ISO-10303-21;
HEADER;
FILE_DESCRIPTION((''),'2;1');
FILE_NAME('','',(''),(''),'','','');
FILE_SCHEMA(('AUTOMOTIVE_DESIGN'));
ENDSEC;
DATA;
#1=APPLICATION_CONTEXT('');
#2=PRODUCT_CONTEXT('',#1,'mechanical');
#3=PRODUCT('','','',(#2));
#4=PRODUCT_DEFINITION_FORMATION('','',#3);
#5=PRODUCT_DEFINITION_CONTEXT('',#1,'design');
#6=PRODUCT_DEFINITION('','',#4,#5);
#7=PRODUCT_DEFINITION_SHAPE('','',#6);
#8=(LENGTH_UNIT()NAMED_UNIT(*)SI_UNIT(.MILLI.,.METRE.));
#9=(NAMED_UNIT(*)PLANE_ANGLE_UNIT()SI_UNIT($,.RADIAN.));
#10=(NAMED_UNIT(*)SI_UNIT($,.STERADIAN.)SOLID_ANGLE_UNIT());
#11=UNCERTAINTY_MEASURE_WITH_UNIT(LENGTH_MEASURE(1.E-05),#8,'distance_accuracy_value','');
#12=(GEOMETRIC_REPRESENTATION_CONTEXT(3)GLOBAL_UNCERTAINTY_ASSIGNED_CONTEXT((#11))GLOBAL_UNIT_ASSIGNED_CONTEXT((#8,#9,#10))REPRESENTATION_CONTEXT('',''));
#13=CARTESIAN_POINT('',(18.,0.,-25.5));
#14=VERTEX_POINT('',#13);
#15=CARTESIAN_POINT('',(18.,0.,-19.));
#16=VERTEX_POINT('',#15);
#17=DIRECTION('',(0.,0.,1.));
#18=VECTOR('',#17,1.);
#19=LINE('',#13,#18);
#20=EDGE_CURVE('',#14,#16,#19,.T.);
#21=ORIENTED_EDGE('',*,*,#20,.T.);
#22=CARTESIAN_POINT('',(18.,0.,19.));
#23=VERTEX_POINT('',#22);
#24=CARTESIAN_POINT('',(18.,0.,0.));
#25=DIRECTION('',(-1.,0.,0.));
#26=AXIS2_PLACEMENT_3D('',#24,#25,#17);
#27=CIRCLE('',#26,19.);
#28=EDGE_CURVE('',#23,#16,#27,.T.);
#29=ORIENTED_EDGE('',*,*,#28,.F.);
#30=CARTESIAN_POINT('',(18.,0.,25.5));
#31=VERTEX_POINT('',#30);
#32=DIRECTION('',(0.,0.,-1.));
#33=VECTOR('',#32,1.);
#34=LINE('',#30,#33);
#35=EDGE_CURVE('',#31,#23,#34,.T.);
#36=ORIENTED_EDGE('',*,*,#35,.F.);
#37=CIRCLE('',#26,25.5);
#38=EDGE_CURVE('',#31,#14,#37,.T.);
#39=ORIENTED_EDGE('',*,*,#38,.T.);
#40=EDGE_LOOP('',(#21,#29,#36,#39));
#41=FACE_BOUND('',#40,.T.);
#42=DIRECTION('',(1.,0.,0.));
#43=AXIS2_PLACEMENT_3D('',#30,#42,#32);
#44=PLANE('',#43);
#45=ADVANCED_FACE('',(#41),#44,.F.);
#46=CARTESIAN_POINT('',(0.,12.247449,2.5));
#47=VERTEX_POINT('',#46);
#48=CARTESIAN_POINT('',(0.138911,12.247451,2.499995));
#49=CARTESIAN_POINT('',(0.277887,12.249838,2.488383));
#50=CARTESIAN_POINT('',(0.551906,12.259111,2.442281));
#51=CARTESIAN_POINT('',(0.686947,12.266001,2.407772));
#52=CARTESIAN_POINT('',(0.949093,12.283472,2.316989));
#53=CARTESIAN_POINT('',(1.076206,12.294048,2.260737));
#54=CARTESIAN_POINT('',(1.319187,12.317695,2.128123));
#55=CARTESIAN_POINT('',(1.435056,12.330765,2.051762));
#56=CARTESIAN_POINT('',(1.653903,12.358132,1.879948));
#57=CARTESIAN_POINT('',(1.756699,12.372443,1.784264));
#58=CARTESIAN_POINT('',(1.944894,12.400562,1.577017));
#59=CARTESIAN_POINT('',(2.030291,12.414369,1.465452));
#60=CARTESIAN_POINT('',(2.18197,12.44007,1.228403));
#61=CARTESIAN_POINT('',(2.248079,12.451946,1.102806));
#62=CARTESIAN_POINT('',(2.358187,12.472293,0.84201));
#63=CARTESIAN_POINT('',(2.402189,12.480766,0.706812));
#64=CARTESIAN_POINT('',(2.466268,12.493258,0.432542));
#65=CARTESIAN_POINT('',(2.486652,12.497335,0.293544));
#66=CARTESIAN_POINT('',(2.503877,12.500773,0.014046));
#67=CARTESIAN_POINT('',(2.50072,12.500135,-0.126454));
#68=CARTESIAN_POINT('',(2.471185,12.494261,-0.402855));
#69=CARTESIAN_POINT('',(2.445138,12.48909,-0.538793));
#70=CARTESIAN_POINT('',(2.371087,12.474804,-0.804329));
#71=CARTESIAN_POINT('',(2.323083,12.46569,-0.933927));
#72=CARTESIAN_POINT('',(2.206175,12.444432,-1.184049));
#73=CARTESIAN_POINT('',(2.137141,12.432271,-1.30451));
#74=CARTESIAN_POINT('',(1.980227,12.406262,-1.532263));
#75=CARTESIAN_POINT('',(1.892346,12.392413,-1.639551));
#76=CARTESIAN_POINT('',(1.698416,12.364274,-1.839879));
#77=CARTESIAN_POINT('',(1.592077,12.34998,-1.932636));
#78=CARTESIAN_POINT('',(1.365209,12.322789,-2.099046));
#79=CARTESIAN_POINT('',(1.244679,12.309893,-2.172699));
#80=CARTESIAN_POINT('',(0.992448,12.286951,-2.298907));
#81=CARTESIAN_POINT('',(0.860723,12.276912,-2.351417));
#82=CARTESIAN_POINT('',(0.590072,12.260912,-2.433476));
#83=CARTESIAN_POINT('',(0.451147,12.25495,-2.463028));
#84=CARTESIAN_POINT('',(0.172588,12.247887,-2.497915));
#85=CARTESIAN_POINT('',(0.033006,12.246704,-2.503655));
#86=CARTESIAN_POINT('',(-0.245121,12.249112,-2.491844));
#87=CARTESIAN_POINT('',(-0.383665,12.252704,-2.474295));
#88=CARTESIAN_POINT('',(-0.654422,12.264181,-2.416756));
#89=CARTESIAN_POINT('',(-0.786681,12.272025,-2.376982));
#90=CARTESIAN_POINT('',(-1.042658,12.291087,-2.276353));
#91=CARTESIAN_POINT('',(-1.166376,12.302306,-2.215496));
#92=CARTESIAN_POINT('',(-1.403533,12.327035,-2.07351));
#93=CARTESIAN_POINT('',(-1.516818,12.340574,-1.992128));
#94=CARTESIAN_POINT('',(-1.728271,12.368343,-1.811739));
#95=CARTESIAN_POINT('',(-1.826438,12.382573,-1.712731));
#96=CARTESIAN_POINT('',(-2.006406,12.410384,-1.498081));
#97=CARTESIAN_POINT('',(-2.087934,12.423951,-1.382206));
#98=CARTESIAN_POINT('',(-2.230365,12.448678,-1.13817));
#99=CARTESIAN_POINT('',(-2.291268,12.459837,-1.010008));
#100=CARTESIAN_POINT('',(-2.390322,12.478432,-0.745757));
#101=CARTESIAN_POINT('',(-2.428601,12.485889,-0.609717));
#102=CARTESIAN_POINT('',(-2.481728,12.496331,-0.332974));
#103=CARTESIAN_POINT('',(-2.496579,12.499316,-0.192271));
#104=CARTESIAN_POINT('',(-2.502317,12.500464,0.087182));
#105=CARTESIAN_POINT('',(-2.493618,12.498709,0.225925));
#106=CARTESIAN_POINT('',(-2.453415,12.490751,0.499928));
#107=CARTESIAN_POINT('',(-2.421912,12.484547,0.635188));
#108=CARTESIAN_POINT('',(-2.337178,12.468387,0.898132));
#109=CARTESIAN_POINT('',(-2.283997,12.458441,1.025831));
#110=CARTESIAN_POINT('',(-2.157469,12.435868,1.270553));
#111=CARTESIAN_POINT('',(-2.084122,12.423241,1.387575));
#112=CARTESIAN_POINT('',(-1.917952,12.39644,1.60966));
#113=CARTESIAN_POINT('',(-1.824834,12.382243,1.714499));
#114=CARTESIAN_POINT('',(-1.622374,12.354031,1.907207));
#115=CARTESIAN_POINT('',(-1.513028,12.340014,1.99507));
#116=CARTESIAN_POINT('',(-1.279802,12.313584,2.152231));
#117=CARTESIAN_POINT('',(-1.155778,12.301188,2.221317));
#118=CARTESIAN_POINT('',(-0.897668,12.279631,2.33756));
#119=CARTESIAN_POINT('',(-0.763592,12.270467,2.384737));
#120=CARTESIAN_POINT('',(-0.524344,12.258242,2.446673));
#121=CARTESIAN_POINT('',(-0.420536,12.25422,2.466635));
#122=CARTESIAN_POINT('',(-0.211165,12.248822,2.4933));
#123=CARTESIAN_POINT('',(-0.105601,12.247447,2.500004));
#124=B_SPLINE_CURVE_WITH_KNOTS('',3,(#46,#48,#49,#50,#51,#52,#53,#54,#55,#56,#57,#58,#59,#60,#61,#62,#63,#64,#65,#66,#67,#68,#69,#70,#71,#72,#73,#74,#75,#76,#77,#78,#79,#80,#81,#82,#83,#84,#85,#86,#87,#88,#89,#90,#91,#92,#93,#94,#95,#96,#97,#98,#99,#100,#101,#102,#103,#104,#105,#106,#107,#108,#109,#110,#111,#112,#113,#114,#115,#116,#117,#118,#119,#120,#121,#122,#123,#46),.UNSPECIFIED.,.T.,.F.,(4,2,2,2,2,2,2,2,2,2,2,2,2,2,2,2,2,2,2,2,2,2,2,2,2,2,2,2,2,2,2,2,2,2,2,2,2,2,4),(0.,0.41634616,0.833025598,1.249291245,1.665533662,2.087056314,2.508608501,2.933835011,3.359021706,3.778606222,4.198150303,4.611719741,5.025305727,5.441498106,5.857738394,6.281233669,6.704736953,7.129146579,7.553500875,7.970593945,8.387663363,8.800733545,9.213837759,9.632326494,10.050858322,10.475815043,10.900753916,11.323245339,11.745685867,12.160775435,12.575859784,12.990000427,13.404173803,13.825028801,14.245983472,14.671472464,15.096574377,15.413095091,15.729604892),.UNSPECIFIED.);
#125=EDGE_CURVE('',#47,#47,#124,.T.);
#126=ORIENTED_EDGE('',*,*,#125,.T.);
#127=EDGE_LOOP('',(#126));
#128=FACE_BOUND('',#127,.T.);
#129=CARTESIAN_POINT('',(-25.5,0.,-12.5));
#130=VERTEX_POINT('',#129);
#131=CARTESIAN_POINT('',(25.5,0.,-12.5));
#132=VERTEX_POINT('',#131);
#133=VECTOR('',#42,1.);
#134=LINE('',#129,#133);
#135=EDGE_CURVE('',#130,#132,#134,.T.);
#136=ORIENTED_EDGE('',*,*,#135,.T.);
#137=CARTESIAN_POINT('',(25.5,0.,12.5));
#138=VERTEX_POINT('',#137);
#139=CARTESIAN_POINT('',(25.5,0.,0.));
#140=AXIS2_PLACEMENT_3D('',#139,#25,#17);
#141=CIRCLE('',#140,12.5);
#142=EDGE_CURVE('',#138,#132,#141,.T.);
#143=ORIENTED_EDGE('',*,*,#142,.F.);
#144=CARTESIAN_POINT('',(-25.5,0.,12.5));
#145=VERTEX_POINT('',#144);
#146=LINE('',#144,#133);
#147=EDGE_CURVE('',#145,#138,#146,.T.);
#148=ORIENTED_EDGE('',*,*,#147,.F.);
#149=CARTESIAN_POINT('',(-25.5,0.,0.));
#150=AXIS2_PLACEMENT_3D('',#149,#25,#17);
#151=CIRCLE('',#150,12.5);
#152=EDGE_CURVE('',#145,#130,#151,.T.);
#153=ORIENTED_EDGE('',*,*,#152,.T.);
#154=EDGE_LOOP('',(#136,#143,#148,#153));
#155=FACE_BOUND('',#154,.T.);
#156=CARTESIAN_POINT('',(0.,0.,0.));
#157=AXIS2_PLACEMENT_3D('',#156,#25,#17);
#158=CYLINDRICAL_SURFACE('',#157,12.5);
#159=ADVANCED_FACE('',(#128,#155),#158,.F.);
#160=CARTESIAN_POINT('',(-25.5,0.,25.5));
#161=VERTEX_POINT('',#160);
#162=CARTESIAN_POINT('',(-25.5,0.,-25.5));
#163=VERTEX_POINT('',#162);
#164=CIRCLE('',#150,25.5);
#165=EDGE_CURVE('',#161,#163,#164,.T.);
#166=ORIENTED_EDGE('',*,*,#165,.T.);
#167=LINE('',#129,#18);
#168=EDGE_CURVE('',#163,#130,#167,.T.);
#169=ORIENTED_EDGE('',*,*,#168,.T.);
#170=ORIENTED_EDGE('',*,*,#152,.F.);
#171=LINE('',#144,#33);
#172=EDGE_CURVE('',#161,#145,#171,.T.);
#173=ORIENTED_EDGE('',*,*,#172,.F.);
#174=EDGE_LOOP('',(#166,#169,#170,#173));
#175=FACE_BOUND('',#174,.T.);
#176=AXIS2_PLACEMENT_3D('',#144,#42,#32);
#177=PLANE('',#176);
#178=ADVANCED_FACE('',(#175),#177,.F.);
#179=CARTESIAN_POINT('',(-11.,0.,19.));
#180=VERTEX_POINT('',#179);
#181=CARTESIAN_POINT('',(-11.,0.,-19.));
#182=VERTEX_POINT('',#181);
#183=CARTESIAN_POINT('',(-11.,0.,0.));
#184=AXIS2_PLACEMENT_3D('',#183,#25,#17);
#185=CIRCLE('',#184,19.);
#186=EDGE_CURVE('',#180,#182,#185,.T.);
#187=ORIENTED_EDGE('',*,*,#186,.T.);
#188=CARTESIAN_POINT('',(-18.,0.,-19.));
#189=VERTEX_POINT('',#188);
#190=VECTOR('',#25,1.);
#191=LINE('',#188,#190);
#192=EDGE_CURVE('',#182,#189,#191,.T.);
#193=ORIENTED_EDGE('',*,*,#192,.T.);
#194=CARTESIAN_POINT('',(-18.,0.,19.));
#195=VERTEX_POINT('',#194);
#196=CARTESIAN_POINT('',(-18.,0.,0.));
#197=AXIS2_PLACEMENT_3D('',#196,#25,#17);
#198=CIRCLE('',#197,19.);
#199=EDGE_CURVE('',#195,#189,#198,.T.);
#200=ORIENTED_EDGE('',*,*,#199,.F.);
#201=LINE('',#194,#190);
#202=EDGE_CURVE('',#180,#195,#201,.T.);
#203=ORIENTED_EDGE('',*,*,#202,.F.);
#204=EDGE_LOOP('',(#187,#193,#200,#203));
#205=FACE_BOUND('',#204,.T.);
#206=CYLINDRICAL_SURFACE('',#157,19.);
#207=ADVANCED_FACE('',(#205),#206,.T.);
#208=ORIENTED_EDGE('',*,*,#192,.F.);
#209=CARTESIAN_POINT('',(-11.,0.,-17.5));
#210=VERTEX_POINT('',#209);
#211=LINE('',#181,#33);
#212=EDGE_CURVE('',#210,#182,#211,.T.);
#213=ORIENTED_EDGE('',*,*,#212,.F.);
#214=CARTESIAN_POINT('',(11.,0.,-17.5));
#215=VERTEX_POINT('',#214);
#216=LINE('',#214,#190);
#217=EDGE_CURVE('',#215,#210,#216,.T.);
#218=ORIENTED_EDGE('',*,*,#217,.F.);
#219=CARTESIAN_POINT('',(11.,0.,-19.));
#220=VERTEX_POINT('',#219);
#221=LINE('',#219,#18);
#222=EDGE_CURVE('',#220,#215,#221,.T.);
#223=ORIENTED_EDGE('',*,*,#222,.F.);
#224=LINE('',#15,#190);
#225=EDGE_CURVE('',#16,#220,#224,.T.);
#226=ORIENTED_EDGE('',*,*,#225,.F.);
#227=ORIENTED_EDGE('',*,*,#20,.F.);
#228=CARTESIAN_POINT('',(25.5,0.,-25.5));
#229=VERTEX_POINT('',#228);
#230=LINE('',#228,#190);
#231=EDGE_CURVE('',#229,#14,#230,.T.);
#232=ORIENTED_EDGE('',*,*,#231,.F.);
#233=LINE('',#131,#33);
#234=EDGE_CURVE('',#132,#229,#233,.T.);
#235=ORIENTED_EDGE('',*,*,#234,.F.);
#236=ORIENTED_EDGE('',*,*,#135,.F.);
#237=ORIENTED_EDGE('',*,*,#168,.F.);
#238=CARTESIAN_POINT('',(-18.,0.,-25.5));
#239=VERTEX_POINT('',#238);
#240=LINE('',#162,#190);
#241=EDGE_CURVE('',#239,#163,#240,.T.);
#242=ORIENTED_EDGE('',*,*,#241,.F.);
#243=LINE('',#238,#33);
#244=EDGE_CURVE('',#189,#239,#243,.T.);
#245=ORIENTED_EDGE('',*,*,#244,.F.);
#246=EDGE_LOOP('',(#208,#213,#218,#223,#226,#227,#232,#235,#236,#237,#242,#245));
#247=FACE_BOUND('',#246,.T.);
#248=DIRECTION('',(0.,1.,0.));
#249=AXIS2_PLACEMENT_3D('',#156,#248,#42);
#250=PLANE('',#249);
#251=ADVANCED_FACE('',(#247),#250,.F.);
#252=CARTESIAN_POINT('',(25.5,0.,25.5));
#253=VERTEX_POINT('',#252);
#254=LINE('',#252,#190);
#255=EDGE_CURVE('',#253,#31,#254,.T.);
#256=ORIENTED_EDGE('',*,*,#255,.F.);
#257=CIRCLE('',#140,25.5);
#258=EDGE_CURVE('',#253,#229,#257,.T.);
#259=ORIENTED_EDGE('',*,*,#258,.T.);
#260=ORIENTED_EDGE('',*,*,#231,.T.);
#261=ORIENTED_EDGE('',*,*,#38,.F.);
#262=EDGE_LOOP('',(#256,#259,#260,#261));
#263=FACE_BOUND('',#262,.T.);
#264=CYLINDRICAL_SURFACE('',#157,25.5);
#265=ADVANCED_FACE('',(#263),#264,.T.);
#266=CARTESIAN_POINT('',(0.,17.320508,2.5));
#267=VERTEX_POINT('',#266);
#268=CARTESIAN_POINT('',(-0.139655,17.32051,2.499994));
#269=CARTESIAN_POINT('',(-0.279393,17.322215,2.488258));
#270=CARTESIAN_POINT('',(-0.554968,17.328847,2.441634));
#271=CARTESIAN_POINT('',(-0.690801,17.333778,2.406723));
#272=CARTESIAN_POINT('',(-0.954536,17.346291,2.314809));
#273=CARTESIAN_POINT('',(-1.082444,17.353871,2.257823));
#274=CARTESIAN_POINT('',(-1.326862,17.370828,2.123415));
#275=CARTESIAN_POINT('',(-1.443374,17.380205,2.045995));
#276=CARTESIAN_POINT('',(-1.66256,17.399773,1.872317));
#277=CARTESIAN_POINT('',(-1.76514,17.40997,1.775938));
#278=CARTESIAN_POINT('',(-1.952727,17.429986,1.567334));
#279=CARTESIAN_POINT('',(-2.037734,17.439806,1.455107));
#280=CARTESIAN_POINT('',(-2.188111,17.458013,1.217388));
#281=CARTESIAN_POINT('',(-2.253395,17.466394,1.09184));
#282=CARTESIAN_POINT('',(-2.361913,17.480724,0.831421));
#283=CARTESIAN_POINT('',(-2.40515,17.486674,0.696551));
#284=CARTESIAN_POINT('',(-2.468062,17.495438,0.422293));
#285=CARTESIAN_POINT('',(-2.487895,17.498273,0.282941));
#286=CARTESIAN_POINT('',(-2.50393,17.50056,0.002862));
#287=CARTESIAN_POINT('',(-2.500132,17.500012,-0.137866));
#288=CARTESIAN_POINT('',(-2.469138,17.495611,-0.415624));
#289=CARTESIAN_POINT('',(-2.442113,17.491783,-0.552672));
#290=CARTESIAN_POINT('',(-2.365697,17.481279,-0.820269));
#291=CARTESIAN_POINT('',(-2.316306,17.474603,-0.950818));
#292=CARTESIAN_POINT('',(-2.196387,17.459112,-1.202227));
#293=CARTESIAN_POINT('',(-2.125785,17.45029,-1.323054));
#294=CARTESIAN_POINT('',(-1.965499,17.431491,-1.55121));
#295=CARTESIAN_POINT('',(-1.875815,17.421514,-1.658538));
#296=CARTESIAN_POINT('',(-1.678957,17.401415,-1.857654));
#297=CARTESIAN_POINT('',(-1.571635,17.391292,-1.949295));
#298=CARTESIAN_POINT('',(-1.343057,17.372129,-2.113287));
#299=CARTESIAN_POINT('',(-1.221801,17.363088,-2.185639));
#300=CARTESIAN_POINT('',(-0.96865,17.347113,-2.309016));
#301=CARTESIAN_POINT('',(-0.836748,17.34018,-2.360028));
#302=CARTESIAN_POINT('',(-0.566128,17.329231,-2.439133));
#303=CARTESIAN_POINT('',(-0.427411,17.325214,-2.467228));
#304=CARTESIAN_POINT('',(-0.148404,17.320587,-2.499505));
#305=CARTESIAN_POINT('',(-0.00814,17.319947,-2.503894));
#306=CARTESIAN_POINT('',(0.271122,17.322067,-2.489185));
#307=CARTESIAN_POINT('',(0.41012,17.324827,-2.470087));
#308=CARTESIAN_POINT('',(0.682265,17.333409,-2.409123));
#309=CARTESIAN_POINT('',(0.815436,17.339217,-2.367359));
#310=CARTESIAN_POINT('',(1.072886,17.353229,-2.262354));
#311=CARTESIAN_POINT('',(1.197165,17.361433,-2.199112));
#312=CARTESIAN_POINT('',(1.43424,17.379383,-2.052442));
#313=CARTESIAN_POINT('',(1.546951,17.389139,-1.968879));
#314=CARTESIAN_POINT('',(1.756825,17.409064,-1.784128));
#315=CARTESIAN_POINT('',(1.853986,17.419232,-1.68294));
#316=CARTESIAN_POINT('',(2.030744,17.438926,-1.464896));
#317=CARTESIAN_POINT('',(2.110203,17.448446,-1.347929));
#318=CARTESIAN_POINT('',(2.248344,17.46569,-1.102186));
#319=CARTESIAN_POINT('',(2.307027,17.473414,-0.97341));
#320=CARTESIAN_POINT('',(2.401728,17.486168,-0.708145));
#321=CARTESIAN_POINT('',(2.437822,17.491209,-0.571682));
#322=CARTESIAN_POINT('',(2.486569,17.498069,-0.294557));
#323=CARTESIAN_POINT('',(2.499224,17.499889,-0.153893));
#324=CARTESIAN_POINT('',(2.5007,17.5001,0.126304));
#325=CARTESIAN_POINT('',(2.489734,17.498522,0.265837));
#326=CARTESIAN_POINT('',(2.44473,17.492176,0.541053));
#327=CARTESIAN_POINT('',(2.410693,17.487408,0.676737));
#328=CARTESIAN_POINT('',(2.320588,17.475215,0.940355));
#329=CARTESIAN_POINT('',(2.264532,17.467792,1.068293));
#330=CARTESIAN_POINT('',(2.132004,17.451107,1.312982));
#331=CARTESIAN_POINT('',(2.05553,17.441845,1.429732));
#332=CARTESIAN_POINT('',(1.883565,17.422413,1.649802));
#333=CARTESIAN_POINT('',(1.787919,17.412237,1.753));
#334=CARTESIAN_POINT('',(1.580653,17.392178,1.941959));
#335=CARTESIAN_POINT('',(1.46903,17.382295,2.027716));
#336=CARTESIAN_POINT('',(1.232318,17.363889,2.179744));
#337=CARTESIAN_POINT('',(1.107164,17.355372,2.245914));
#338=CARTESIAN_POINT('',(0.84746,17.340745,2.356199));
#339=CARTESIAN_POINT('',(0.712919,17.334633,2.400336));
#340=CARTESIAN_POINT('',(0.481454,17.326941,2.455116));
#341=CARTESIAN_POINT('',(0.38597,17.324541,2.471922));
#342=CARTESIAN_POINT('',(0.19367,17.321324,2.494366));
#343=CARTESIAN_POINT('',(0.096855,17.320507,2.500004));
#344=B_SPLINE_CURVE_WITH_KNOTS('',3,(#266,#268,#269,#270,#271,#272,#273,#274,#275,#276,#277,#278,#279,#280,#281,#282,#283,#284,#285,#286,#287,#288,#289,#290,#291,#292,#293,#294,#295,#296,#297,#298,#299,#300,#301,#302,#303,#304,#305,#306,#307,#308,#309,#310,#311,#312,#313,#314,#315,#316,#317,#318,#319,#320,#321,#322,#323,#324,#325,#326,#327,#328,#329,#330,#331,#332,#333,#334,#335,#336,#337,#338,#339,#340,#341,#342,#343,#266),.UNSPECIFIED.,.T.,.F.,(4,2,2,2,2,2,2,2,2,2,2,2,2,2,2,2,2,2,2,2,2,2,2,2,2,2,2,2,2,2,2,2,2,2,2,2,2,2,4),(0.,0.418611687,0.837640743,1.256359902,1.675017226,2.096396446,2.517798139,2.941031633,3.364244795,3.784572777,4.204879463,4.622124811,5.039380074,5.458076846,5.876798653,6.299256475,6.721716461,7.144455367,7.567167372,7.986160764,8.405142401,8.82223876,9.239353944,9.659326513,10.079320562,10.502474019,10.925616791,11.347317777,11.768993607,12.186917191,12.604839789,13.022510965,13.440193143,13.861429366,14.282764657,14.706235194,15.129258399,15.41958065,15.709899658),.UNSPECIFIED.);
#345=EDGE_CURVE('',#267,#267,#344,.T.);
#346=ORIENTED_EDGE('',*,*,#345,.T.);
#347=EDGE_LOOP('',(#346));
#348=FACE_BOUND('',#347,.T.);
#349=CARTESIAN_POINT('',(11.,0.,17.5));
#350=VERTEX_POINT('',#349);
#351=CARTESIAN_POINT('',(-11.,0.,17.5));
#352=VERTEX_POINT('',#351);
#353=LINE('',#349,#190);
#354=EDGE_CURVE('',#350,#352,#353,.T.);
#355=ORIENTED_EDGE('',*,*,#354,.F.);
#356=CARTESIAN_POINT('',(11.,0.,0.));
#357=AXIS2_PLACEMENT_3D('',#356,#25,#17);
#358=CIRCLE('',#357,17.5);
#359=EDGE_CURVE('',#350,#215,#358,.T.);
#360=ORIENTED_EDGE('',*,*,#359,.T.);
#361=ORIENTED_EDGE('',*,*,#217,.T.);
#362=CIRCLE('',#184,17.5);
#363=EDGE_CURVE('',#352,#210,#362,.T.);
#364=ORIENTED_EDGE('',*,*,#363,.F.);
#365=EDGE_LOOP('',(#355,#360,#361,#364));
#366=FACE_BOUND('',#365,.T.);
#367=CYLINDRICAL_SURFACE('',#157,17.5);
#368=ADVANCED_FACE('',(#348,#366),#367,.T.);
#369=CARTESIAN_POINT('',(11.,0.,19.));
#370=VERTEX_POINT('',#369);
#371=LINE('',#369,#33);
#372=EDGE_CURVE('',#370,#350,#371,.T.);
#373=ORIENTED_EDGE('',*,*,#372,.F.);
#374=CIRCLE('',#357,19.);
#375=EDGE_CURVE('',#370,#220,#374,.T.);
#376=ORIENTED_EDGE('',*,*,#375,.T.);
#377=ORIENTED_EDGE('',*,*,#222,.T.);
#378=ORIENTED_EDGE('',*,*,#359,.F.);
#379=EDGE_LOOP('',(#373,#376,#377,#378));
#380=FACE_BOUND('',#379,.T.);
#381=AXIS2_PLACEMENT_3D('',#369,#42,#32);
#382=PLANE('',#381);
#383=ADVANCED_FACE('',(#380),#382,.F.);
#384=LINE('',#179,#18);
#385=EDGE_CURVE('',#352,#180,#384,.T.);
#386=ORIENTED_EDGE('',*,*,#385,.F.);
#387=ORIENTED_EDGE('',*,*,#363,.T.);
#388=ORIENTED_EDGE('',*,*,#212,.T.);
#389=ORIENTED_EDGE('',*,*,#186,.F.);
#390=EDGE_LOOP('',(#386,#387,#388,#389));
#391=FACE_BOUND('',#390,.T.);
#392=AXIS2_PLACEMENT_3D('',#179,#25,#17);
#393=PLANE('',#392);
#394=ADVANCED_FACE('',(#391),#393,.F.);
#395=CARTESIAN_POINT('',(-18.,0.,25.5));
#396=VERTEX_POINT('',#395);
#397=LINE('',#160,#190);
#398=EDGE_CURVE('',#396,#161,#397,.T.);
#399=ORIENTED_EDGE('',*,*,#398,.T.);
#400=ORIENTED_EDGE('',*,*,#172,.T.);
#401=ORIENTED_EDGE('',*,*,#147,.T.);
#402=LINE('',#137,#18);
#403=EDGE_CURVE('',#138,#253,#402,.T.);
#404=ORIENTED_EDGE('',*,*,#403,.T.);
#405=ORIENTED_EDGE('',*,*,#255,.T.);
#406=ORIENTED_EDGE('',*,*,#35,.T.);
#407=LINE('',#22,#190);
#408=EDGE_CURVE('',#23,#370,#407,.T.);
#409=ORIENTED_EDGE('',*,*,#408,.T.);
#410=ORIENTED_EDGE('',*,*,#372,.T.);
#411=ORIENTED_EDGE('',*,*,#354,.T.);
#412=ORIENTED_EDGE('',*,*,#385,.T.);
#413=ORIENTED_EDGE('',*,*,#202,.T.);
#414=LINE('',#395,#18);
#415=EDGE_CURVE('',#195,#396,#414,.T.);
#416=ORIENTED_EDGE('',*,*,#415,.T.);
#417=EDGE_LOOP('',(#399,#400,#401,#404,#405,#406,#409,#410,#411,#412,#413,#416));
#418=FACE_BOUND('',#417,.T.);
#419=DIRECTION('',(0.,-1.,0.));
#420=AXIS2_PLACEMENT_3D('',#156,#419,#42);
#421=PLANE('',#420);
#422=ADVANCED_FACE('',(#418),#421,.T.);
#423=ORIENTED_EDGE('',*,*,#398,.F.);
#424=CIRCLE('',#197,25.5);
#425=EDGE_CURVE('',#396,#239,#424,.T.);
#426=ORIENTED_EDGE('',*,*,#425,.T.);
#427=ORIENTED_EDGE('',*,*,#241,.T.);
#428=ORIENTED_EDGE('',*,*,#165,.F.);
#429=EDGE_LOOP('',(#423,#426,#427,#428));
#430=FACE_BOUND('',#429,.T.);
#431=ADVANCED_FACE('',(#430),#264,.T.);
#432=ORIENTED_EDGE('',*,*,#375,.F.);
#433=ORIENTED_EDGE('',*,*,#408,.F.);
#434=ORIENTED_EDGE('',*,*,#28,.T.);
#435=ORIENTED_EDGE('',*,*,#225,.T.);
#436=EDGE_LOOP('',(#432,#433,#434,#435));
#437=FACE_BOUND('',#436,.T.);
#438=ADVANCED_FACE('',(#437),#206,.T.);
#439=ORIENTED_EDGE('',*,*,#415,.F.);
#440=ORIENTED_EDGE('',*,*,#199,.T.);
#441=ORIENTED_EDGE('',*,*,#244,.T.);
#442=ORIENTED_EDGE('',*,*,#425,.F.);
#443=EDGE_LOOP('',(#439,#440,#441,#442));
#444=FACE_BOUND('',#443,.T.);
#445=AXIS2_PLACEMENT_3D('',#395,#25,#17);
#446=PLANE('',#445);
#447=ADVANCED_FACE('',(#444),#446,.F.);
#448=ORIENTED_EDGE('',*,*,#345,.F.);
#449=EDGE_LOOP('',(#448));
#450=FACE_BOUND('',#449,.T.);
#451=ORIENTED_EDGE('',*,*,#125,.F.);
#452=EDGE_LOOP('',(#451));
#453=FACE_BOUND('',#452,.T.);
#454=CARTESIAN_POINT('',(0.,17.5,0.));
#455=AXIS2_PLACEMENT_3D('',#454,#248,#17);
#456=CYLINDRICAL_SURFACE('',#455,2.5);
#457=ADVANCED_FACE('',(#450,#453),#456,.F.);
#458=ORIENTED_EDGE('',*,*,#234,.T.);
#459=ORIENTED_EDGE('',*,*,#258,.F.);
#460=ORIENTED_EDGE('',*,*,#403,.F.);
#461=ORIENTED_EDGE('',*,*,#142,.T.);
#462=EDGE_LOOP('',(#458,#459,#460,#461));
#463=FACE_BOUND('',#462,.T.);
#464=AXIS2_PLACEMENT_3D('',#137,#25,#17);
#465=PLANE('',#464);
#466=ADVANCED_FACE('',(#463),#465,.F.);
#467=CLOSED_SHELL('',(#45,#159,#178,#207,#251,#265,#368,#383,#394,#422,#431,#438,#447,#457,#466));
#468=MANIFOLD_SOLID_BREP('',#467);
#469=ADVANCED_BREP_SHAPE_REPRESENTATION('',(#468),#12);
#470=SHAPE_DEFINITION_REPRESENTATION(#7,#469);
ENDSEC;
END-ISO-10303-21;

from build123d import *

# Parameters (mm, degrees)
REVOLVE1_ANGLE            = 180
F_5_0MM_DOWEL_HOLE1_D     = 5
F_5_0MM_DOWEL_HOLE1_DEPTH = 6
F_5_0MM_DOWEL_HOLE1_TIP   = 1.502151548


with BuildPart() as part:
    # Sketch1 → Revolve1 (revolve, symmetric)
    with BuildSketch(Plane.XY) as revolve1_sk:
        Polygon((-25.5, 12.5), (25.5, 12.5), (25.5, 25.5), (18, 25.5), (18, 19), (11, 19), (11, 17.5), (-11, 17.5), (-11, 19), (-18, 19), (-18, 25.5), (-25.5, 25.5), align=None)
    revolve(axis=Axis((0, 0, 0), (1, 0, 0)), revolution_arc=REVOLVE1_ANGLE / 2)
    revolve(revolve1_sk.sketch, axis=Axis((0, 0, 0), (-1, 0, 0)), revolution_arc=REVOLVE1_ANGLE / 2)

    # Ø5.0mm Dowel Hole1
    with Locations(Plane.ZX.offset(17.5)):
        with Locations((0, 0)):
            Hole(F_5_0MM_DOWEL_HOLE1_D / 2, depth=F_5_0MM_DOWEL_HOLE1_DEPTH)
            with Locations((0, 0, -(F_5_0MM_DOWEL_HOLE1_DEPTH + F_5_0MM_DOWEL_HOLE1_TIP / 2))):  # 118° drill point
                Cone(0, F_5_0MM_DOWEL_HOLE1_D / 2, F_5_0MM_DOWEL_HOLE1_TIP, mode=Mode.SUBTRACT)


solid = part.part
